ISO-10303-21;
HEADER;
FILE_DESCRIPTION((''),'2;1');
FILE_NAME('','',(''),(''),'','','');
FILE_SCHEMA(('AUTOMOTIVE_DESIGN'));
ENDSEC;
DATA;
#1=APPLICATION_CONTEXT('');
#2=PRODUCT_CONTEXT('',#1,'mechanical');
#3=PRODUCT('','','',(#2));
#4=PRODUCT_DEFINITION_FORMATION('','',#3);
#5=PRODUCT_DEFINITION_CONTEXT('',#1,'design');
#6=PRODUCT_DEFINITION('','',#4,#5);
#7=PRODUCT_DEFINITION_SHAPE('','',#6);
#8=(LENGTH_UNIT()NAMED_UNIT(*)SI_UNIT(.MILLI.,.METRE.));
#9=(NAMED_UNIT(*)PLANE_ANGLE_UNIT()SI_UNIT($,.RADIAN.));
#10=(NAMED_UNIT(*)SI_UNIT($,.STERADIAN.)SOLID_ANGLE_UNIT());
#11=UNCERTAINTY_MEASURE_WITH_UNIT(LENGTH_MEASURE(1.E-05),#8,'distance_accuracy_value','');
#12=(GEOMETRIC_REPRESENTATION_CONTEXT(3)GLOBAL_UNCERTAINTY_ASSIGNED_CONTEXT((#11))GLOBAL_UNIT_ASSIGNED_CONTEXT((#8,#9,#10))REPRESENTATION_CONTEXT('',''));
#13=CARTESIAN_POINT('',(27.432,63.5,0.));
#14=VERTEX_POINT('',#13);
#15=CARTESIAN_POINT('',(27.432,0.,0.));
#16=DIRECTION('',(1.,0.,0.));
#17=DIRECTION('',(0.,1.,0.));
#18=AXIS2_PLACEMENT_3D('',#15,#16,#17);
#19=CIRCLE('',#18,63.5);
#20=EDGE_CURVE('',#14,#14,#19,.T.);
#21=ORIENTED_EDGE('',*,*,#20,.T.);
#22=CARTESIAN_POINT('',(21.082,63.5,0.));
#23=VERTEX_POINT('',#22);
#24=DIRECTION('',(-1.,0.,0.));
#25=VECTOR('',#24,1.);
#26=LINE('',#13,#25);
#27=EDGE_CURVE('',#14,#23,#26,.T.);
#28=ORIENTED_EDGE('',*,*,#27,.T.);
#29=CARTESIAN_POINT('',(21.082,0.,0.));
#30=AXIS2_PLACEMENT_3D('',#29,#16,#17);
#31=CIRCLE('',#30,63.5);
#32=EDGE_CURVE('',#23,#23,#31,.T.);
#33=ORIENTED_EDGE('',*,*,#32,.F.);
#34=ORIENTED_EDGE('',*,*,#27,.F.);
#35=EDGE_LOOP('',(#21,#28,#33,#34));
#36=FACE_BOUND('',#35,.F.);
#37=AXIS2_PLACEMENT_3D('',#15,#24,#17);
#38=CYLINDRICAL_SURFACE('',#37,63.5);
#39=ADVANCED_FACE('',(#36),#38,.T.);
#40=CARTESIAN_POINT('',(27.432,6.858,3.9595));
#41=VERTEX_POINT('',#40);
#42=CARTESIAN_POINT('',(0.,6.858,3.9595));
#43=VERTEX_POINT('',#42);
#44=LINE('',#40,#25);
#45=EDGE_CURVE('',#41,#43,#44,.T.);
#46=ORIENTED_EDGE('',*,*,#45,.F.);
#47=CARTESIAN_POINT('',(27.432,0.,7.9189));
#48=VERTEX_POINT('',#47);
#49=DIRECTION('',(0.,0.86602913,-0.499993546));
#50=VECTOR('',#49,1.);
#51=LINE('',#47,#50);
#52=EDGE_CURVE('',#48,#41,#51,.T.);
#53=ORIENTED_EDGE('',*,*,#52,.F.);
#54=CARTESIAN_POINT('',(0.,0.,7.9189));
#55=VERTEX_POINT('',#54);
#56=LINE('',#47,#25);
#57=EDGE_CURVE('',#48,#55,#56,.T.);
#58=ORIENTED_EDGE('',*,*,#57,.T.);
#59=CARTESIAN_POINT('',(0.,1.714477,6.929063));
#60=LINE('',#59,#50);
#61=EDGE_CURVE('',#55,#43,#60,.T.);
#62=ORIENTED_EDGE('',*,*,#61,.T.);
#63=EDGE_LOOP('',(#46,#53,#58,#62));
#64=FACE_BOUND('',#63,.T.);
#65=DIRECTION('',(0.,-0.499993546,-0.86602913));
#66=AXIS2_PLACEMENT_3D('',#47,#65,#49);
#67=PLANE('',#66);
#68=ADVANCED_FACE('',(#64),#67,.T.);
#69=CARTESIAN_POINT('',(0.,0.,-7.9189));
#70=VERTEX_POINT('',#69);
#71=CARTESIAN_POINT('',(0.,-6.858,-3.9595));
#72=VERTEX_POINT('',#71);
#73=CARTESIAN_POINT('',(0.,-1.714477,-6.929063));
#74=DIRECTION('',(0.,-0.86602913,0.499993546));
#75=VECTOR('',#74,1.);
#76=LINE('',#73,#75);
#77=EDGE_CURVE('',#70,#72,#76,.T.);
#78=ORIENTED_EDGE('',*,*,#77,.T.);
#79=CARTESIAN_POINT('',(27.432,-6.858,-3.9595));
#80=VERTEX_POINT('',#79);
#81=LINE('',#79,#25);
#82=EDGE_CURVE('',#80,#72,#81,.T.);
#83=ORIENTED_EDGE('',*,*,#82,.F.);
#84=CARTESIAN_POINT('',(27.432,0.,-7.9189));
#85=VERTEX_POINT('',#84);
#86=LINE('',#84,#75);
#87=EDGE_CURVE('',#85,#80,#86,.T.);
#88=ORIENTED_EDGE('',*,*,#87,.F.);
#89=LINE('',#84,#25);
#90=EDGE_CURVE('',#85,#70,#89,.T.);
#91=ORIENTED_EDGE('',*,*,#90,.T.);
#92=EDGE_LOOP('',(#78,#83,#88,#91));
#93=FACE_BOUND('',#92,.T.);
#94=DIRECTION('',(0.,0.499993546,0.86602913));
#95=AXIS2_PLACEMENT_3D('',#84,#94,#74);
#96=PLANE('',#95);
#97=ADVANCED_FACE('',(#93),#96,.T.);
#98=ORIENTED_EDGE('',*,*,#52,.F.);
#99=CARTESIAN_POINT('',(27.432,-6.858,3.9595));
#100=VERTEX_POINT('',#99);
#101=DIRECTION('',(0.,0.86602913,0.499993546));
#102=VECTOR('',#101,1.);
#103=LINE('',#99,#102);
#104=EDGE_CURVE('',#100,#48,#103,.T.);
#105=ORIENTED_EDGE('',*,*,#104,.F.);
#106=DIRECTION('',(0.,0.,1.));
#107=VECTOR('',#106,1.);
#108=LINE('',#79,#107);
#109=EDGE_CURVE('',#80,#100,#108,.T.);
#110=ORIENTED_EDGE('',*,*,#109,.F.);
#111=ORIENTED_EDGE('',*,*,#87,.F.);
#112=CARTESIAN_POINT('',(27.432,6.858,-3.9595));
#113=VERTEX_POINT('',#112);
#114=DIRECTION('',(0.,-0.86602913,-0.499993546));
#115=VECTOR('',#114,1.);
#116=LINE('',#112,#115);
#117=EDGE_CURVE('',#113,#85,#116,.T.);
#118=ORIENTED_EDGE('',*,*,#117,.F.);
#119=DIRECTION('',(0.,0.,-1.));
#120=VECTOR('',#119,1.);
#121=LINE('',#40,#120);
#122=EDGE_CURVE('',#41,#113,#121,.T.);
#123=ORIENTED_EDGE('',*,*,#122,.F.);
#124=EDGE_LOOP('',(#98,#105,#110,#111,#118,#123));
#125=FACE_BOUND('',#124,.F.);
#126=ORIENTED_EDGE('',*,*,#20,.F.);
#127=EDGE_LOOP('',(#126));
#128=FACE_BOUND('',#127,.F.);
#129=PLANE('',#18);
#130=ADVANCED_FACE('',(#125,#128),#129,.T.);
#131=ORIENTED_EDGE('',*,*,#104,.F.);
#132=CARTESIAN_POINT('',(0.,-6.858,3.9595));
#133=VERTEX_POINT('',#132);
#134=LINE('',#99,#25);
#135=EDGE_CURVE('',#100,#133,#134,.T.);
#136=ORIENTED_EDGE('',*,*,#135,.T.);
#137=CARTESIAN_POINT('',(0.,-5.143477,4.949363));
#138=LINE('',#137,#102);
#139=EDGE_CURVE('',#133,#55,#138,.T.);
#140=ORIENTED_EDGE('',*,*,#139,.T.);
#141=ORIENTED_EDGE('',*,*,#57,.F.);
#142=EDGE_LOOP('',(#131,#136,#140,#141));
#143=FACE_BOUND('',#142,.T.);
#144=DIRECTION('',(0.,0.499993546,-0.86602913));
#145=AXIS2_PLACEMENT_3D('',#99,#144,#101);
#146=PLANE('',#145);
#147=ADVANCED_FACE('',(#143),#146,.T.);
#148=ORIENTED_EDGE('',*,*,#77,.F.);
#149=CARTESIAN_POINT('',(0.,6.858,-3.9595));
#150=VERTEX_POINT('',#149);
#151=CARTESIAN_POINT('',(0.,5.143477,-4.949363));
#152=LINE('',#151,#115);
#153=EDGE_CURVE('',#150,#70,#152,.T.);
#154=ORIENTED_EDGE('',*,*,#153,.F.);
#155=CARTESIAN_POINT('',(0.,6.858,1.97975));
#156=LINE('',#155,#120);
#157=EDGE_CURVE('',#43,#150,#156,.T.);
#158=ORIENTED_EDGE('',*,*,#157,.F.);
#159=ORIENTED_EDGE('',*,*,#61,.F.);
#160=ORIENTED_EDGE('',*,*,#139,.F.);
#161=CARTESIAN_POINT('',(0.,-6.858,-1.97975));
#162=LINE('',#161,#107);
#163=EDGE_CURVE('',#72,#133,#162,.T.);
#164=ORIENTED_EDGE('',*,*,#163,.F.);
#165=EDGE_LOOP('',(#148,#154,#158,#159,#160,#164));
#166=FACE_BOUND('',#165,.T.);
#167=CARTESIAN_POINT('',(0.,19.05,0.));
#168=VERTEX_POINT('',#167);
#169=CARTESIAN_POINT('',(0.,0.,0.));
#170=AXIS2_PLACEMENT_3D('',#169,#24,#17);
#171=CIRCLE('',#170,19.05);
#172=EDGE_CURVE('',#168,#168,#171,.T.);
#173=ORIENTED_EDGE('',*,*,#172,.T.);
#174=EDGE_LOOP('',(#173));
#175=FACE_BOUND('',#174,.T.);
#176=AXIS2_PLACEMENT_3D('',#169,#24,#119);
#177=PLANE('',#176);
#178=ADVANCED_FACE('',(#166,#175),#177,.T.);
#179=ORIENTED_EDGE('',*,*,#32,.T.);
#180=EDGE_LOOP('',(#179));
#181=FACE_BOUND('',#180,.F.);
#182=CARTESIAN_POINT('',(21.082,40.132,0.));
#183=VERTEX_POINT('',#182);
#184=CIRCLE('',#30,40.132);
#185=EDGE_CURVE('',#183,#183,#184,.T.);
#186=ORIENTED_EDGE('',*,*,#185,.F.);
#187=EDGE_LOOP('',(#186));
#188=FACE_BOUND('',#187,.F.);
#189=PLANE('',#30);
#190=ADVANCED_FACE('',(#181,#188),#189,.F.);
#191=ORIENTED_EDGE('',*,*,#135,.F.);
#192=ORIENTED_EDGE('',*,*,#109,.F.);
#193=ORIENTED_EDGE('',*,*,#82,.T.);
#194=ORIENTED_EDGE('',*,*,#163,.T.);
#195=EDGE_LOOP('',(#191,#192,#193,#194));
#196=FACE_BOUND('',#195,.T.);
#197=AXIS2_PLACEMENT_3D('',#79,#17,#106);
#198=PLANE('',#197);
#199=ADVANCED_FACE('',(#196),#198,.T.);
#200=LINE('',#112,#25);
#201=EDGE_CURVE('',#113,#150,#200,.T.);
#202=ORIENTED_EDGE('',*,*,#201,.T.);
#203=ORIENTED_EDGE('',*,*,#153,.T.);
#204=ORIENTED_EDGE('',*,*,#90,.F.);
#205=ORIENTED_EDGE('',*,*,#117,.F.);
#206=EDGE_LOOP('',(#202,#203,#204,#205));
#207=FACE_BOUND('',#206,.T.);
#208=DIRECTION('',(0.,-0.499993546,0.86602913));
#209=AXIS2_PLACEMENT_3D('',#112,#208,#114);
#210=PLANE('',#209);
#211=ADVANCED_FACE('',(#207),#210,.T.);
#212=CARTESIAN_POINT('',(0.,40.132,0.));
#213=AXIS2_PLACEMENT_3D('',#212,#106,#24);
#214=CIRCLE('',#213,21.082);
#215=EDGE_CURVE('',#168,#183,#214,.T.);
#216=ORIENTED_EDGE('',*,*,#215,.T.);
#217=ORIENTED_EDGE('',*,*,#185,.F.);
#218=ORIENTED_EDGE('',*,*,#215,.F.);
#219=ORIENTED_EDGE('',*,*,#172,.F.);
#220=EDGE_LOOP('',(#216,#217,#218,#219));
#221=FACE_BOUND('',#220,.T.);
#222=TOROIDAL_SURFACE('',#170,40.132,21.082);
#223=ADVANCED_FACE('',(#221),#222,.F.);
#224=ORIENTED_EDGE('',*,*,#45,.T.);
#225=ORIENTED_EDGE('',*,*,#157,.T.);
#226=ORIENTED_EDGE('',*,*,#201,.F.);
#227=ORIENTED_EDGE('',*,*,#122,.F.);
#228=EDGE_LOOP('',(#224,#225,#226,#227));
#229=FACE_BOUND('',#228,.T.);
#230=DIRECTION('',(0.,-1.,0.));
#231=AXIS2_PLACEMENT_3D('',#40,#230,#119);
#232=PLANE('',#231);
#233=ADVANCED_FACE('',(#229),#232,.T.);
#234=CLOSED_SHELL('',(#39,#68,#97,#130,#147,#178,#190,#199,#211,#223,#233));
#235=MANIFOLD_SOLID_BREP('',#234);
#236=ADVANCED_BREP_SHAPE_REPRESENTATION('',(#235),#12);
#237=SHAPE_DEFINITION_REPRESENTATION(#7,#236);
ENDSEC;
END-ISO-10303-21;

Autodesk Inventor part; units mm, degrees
ref_plane "YZ Plane" through (0, 0, 0) normal (1, 0, 0) x (0, 1, 0)
ref_plane "XZ Plane" through (0, 0, 0) normal (0, 1, 0) x (-1, 0, 0)
ref_plane "XY Plane" through (0, 0, 0) normal (0, 0, 1) x (1, 0, 0)
sketch "Sketch1" plane through (0, 0, 0) normal (0, 0, 1) x (1, 0, 0)
  arc A0 (-21.082, 40.132) -> (21.082, 40.132) centre (0, 40.132) ccw
  line L0 (-21.082, 40.132) -> (-21.082, 0)
  line L1 (21.082, 40.132) -> (21.082, 0)
  line L2 (-21.082, 0) -> (21.082, 0)
  line L3 (-21.082, 0) -> (-27.432, 0)
  line L4 (-27.432, 0) -> (-27.432, 63.5)
  line L5 (-27.432, 63.5) -> (-21.082, 63.5)
  line L6 (-21.082, 63.5) -> (-21.082, 0)
  line L7 (21.082, 0) -> (27.432, 0)
  line L8 (27.432, 0) -> (27.432, 63.5)
  line L9 (27.432, 63.5) -> (21.082, 63.5)
  line L10 (21.082, 63.5) -> (21.082, 0)
  point P0 (0, 0)
  dimension "diameterOfPipe" = 42.164
  dimension "d6" = 6.35
  dimension "d7" = 63.5
  dimension "d8" = 6.35
  dimension "d9" = 63.5
  dimension "d13" = 19.05
revolve "Revolution1" add sketch "Sketch1" angle 360 about axis through (-21.082, 0, 0) along (1, 0, 0)
sketch "Sketch3" plane through (27.432, 0, 0) normal (1, 0, 0) x (0, 0, -1)
  line L0 (7.9189, 0) -> (3.9595, -6.858)
  line L1 (3.9595, -6.858) -> (-3.9595, -6.858)
  line L2 (-3.9595, -6.858) -> (-7.9189, 0)
  line L3 (-7.9189, 0) -> (-3.9595, 6.858)
  line L4 (-3.9595, 6.858) -> (3.9595, 6.858)
  line L5 (3.9595, 6.858) -> (7.9189, 0)
  point P0 (0, 0)
  point P1 (0, 0)
  dimension "hexWidth" = 13.716
extrude "Extrusion2" cut sketch "Sketch3" against normal through all
split "Split1" plane through (0, 0, 0) removes the side toward (-1, 0, 0)
equation "\"d6\" = widthOfOutside"
equation "\"d8\" = widthOfOutside"
equation "\"widthOfOutside\" = 6.35"
properties part number "halfWheelForHangingAndMoving" material "PBT Plastic"
